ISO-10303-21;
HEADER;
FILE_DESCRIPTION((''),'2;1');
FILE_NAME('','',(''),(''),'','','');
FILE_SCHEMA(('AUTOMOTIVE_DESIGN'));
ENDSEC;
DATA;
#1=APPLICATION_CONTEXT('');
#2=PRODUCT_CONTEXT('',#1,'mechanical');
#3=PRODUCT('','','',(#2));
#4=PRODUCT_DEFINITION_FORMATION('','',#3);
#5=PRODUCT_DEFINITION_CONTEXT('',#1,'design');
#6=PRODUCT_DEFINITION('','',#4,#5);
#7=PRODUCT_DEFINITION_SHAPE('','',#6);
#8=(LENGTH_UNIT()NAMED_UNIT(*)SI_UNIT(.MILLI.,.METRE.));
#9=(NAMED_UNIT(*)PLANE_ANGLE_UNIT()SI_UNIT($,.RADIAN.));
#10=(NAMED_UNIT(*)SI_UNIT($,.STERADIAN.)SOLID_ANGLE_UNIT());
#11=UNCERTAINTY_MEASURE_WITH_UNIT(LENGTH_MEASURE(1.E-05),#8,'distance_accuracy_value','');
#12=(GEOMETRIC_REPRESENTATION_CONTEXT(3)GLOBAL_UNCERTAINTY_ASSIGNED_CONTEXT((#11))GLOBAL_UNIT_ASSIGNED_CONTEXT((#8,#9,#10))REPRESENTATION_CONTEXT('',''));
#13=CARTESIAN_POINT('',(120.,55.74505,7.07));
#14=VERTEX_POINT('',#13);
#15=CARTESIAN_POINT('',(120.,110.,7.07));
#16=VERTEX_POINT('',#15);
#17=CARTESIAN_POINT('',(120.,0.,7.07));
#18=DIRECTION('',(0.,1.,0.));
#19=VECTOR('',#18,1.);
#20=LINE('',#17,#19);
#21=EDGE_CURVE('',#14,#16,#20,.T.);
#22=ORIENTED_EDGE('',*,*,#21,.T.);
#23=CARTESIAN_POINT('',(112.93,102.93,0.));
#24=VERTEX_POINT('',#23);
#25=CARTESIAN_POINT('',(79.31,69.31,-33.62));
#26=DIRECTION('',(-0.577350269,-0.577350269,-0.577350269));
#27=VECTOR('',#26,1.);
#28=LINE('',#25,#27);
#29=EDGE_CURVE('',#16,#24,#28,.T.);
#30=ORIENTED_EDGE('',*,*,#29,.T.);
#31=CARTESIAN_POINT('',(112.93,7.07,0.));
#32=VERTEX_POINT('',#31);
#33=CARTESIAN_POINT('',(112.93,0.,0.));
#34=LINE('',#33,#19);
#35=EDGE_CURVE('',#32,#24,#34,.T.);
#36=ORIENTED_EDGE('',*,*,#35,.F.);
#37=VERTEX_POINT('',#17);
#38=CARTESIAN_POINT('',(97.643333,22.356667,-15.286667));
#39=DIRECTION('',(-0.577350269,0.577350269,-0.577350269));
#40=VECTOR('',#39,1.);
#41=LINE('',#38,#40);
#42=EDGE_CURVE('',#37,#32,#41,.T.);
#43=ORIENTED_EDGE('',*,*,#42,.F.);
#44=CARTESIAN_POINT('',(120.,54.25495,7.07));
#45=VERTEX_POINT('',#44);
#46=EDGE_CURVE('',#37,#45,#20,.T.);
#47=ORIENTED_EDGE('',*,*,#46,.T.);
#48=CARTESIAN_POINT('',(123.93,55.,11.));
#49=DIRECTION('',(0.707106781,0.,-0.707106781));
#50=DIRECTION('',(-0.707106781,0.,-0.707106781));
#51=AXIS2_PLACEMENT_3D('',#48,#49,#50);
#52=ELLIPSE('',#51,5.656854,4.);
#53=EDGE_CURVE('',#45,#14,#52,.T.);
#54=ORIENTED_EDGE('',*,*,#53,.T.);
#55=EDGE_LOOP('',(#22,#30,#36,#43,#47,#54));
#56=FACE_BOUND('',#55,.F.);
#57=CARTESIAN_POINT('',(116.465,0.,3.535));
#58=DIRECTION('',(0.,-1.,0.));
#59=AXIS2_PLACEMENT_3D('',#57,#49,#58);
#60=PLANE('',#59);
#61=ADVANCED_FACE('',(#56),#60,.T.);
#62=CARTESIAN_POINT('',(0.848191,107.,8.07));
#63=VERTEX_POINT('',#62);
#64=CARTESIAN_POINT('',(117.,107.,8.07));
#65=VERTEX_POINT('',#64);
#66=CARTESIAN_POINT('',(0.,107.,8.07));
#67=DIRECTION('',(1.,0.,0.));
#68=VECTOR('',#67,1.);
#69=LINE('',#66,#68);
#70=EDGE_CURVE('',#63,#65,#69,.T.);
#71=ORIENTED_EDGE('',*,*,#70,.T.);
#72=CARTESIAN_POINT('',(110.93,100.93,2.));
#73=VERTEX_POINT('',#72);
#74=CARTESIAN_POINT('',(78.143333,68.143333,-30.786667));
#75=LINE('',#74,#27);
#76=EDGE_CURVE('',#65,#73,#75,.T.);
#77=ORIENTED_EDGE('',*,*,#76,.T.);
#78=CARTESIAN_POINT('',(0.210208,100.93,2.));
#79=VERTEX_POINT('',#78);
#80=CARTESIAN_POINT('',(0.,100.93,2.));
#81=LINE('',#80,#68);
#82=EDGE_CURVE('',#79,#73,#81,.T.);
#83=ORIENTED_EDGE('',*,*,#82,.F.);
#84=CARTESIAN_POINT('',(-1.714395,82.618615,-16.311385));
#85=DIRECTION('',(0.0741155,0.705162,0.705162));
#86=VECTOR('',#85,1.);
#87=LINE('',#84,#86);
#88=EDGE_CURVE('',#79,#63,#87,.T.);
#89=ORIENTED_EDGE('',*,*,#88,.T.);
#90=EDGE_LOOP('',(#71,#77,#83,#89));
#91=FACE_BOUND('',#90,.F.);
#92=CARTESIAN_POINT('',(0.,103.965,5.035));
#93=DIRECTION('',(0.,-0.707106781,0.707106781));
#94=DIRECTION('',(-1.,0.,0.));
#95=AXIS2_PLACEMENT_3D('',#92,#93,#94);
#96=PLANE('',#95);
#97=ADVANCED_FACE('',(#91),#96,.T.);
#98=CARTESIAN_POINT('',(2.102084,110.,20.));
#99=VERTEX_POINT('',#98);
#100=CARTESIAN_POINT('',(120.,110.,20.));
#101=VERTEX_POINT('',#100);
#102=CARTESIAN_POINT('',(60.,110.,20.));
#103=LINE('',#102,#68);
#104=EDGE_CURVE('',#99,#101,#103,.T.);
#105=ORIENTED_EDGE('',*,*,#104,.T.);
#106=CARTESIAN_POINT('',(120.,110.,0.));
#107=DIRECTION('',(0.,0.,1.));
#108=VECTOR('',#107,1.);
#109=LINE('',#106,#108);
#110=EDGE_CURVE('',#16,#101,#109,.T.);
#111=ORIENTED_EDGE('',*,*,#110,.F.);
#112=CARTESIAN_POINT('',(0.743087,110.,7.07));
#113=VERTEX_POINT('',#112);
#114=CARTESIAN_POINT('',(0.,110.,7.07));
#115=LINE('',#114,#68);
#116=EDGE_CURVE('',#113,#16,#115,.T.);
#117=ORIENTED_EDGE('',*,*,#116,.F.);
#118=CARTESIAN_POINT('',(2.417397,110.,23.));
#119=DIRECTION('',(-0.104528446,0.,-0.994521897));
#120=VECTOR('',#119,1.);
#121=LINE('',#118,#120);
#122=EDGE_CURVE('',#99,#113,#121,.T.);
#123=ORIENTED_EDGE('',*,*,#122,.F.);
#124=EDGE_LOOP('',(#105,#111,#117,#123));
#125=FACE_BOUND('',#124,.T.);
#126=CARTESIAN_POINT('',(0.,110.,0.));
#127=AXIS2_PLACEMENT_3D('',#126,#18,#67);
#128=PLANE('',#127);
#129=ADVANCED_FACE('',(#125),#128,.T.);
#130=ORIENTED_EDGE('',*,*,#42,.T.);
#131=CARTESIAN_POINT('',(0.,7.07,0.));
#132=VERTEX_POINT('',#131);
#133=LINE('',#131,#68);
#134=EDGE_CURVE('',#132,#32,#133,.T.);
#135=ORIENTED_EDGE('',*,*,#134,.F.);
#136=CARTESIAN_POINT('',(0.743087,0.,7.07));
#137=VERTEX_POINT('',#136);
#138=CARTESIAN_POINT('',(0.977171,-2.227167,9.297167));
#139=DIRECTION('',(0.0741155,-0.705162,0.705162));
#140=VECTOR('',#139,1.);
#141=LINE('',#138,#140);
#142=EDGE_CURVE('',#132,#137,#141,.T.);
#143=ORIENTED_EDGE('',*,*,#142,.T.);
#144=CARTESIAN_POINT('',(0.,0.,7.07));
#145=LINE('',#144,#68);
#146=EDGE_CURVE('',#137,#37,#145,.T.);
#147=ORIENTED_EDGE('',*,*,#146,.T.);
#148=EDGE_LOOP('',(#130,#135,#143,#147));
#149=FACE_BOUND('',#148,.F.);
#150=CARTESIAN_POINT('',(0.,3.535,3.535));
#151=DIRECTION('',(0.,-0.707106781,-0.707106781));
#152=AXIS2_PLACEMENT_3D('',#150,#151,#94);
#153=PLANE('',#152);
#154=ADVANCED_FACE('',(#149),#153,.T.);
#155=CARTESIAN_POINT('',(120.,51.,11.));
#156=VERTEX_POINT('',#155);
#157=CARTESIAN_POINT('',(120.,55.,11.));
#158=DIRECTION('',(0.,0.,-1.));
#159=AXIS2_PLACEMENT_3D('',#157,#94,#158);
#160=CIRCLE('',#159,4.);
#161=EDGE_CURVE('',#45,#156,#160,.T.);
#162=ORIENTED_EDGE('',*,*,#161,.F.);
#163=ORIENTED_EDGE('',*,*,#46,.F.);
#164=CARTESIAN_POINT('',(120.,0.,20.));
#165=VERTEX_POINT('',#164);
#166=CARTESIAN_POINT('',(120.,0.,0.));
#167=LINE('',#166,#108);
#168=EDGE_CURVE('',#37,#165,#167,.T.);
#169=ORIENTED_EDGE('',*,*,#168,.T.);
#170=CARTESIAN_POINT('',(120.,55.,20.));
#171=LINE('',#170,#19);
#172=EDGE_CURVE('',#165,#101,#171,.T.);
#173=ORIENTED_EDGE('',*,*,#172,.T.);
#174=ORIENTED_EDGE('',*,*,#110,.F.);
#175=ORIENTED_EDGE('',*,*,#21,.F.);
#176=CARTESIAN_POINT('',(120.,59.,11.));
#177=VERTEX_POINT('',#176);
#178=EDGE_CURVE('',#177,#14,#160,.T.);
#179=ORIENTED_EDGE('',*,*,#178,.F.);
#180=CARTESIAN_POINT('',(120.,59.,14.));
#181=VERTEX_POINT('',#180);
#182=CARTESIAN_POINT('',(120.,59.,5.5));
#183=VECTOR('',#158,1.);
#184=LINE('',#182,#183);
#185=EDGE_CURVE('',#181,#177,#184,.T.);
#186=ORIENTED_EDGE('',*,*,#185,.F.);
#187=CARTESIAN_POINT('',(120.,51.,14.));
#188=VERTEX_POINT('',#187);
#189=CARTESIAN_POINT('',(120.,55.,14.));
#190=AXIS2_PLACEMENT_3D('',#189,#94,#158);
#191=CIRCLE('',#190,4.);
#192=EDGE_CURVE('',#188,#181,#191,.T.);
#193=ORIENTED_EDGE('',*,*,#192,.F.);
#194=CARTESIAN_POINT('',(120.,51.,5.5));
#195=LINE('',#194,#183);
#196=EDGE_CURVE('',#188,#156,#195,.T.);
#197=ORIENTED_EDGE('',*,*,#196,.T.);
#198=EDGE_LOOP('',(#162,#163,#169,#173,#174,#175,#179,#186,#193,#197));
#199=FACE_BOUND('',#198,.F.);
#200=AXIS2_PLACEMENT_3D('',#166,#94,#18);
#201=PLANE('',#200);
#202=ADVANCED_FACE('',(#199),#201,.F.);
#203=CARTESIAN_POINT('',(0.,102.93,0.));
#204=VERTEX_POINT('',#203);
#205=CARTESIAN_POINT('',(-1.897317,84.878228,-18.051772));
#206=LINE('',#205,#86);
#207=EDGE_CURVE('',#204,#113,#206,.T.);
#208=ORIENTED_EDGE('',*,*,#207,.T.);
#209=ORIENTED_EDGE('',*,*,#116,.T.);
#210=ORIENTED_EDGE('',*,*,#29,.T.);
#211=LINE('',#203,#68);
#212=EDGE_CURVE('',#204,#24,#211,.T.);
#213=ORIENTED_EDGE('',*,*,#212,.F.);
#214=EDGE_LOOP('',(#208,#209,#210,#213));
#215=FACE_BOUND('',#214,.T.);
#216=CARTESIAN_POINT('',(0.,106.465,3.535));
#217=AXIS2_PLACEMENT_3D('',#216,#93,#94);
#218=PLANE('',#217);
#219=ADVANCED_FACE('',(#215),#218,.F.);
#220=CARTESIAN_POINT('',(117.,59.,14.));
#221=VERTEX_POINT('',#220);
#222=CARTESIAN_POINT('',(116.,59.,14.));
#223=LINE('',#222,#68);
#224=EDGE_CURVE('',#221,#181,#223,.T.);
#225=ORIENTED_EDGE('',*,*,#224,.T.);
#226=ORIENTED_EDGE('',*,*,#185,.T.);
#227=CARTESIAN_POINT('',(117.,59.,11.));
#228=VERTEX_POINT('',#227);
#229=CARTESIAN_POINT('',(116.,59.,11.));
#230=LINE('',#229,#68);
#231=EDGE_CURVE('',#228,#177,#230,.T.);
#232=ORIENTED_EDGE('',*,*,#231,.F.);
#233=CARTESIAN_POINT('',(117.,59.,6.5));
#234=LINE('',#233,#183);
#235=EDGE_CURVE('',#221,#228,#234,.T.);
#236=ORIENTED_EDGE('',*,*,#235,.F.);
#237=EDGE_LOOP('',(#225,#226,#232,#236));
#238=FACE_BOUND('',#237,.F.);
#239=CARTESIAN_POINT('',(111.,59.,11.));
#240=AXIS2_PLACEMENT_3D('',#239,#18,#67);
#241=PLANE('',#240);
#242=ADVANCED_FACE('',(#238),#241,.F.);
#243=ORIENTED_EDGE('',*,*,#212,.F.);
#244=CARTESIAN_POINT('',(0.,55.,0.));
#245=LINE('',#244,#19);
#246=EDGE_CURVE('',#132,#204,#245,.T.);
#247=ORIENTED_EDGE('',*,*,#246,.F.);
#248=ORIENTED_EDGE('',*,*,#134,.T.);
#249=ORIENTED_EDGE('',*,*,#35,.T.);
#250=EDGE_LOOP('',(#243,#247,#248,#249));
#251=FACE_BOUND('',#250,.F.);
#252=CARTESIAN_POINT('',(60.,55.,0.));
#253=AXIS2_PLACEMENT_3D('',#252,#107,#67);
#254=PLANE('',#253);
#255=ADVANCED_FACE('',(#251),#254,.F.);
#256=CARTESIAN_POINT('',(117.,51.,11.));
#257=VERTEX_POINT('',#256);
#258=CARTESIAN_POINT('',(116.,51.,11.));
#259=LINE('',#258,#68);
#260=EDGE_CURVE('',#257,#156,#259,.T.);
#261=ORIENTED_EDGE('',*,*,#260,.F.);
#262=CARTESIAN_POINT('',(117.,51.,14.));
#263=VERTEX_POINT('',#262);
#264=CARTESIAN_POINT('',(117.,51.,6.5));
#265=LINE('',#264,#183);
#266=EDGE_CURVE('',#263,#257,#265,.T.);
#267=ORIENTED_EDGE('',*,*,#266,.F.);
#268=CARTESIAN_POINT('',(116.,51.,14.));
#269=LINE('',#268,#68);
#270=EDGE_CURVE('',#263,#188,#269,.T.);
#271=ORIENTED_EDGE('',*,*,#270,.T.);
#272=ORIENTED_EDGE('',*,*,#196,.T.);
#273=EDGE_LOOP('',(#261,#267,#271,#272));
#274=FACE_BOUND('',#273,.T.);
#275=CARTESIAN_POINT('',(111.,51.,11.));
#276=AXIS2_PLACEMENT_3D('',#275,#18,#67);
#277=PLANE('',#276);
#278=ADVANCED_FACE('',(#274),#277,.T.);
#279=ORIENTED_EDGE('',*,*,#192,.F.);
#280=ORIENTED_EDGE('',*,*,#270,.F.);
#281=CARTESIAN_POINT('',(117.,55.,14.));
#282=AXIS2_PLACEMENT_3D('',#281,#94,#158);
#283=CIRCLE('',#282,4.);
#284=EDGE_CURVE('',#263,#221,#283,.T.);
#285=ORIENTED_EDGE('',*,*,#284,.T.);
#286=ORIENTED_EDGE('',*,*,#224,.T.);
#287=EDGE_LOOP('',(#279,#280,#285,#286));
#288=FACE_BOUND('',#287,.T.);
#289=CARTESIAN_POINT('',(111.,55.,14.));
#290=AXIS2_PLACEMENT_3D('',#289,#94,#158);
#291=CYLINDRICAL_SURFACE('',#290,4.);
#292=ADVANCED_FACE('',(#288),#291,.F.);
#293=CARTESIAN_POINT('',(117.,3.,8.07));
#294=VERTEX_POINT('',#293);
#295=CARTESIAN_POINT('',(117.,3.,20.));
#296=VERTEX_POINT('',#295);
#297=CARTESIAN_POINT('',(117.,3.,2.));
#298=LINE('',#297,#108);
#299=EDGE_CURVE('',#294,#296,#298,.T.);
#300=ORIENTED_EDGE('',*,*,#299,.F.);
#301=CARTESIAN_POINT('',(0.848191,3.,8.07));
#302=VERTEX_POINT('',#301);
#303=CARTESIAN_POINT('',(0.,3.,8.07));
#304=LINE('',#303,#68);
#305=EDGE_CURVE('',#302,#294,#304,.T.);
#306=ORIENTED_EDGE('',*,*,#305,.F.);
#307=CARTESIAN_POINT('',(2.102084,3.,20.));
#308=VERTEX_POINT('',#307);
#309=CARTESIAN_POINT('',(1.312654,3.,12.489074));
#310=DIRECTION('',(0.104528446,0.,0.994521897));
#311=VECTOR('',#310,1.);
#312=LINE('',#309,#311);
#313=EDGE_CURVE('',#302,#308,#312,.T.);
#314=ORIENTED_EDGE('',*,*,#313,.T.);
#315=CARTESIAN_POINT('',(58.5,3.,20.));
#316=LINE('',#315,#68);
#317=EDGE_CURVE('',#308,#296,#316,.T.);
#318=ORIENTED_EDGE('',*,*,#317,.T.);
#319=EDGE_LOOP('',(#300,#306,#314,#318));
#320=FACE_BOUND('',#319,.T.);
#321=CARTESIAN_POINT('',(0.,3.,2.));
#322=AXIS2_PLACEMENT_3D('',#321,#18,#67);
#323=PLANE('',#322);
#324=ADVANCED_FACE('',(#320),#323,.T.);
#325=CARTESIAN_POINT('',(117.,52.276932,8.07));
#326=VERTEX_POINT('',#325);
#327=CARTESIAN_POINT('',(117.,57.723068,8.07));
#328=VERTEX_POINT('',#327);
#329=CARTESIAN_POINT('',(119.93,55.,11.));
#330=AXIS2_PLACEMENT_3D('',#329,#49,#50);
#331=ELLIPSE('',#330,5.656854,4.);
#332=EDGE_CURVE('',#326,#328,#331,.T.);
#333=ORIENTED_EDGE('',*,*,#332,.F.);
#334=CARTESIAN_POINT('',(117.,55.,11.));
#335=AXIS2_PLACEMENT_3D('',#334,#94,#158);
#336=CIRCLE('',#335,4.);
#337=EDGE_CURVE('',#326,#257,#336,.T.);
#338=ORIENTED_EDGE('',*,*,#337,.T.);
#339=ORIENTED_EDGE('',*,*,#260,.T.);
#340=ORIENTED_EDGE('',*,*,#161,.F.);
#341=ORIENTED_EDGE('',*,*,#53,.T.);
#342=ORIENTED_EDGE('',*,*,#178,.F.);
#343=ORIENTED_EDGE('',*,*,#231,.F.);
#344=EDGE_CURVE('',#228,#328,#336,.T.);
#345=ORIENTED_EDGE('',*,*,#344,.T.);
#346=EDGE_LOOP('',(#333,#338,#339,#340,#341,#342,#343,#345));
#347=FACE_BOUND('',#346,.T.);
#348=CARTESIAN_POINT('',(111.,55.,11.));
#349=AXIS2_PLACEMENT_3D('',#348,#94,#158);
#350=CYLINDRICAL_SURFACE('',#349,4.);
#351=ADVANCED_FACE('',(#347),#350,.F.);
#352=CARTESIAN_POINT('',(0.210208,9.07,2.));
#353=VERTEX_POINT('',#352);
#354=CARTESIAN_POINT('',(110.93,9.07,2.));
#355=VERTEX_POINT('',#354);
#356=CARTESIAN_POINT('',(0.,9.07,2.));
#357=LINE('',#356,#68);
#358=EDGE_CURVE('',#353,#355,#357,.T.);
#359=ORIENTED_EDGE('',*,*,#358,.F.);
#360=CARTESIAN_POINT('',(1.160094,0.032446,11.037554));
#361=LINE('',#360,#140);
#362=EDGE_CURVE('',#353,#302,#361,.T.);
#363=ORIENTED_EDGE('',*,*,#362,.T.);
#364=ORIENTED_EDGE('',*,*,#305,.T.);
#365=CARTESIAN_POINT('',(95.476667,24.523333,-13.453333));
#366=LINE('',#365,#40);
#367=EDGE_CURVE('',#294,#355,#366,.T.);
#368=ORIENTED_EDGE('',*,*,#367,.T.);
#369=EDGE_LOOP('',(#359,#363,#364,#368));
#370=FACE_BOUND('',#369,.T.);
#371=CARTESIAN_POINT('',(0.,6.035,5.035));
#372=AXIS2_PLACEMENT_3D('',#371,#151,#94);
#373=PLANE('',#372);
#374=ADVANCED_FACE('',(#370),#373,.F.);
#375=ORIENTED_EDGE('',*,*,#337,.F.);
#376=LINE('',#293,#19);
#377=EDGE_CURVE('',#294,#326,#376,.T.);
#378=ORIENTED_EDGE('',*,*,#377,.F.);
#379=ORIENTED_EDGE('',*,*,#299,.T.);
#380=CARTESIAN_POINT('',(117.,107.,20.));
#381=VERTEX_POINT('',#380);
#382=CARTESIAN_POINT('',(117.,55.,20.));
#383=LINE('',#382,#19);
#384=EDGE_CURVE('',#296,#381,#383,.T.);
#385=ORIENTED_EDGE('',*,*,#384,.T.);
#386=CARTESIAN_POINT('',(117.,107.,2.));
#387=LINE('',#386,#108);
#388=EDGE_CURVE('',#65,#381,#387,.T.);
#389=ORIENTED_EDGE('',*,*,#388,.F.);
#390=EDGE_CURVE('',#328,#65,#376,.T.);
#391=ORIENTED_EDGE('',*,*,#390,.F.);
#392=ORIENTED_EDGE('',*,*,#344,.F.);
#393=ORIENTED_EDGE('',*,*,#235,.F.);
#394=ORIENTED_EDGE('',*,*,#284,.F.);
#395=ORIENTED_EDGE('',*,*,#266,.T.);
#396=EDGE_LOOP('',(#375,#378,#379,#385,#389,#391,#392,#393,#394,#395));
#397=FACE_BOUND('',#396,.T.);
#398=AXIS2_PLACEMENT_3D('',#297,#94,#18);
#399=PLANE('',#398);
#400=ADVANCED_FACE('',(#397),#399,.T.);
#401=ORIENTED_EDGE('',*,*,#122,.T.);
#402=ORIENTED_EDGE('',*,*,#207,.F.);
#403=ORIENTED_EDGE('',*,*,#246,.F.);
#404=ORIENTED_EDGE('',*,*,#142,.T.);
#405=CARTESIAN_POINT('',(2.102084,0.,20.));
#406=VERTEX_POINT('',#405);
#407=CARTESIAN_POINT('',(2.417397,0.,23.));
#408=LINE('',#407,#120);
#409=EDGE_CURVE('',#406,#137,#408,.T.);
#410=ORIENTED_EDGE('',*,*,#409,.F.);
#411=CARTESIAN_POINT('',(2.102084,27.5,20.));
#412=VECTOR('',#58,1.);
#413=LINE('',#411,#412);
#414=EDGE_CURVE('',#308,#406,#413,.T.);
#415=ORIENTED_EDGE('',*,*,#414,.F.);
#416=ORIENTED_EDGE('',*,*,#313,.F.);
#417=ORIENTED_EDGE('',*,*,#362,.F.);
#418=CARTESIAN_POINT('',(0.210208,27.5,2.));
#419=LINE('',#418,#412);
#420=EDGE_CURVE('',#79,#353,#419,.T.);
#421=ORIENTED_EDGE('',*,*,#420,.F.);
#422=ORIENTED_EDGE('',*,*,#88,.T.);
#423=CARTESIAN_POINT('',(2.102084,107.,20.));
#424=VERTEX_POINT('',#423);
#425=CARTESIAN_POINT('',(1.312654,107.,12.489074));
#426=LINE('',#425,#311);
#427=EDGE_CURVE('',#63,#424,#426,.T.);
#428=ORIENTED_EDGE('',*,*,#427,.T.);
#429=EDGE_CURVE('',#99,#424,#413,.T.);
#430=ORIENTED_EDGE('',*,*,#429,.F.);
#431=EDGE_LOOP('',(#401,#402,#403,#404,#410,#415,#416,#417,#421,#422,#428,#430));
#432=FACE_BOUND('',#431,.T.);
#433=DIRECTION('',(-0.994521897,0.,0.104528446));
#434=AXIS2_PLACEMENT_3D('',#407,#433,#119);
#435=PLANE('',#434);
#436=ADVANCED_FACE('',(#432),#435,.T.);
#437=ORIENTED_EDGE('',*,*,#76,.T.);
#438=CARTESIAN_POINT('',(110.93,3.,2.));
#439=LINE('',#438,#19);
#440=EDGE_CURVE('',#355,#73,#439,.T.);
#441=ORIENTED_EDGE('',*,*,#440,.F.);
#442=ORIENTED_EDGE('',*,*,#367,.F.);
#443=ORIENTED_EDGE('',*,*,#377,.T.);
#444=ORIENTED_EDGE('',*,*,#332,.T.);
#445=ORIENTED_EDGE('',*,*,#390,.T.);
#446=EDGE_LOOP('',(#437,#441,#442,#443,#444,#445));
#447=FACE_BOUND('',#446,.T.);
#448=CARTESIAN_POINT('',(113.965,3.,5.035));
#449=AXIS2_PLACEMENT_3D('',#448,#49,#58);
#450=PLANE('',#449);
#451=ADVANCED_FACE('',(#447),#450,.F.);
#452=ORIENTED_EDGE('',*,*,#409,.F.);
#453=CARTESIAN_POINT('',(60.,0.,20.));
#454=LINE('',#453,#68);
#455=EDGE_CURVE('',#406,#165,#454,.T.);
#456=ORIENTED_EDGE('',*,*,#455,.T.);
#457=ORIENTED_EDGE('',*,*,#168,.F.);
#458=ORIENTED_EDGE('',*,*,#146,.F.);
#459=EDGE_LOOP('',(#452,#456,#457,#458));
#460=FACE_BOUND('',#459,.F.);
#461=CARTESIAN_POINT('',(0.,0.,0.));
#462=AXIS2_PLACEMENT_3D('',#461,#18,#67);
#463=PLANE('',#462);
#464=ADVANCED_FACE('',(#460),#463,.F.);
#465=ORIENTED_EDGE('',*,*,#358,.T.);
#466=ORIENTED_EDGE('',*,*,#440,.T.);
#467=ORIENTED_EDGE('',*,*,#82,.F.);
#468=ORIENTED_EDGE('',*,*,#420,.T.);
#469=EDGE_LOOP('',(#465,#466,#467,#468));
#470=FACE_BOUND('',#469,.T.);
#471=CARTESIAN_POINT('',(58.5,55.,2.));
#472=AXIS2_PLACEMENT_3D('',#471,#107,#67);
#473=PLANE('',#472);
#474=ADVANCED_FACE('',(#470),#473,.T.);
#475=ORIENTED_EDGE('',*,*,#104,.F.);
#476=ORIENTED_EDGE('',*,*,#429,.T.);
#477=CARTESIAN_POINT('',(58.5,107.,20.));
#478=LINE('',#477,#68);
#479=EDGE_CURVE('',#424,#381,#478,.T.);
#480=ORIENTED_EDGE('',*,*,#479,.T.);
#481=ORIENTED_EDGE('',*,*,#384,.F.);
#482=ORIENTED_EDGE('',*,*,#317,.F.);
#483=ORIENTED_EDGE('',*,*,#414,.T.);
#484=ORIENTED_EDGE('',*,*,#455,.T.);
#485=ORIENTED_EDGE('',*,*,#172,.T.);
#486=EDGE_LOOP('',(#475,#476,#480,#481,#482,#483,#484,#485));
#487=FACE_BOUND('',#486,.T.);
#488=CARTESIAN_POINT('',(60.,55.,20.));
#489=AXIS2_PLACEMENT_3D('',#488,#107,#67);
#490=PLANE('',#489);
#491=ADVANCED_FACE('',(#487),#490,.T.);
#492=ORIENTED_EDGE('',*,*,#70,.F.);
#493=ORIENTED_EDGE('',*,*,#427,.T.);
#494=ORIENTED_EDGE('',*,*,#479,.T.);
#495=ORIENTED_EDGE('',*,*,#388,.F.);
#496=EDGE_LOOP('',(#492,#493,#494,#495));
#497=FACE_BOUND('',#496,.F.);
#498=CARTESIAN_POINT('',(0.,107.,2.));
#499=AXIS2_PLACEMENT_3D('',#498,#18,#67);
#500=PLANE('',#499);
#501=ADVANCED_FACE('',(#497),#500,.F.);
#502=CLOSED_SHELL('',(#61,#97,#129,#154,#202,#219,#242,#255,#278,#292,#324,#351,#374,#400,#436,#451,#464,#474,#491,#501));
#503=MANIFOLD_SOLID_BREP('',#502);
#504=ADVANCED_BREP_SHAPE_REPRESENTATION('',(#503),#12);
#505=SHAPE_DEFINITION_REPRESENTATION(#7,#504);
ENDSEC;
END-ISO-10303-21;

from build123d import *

# Parameters (mm, degrees)
CYLINDER001_R     = 4
CYLINDER001_DEPTH = 10
BOX011_W          = 10
BOX011_H          = 8
BOX011_DEPTH      = 3
CYLINDER002_R     = 4
CYLINDER002_DEPTH = 10
PAD002_DEPTH      = 110
BOX010_W          = 117
BOX010_H          = 104
BOX010_DEPTH      = 18
CHAMFER002_SIZE   = 6.07
BOX009_W          = 120
BOX009_H          = 110
BOX009_DEPTH      = 20
CHAMFER001_SIZE   = 7.07


with BuildPart() as cylinder001:
    # Cylinder001 → Cylinder001 (new body)
    with BuildSketch(Plane(origin=(0, 0, 6), x_dir=(0, 0, -1), z_dir=(1, 0, 0))):
        Circle(CYLINDER001_R)
    extrude(amount=CYLINDER001_DEPTH)


with BuildPart() as cube011:
    # Box011 → Box011 (new body)
    with BuildSketch(Plane(origin=(0, -4, 3), x_dir=(1, 0, 0), z_dir=(0, 0, 1))):
        with Locations((5, 4)):
            Rectangle(BOX011_W, BOX011_H)
    extrude(amount=BOX011_DEPTH)


with BuildPart() as stromloch:
    # Cylinder002 → Cylinder002 (new body)
    with BuildSketch(Plane(origin=(0, 0, 3), x_dir=(0, 0, -1), z_dir=(1, 0, 0))):
        Circle(CYLINDER002_R)
    extrude(amount=CYLINDER002_DEPTH)

    # Fusion002: union Cylinder001, Cube011
    add(cylinder001.part)
    add(cube011.part)


with BuildPart() as stromloch_1:
    # Fusion002 placement: moved
    add(stromloch.part.moved(Location((111, 55, 8))))


with BuildPart() as pad002:
    # Sketch002 → Pad002 (new body)
    with BuildSketch(Plane.XZ):
        Polygon((0, 0), (0, 23), (2.417397, 23), align=None)
    extrude(amount=-PAD002_DEPTH)


with BuildPart() as chamfer002:
    # Box010 → Box010 (new body)
    with BuildSketch(Plane(origin=(0, 3, 2), x_dir=(1, 0, 0), z_dir=(0, 0, 1))):
        with Locations((58.5, 52)):
            Rectangle(BOX010_W, BOX010_H)
    extrude(amount=BOX010_DEPTH)

    # Chamfer002
    chamfer002_edges = [chamfer002.edges().sort_by_distance(p)[0] for p in [
        (117, 55, 2),
        (58.5, 3, 2),
        (58.5, 107, 2),
    ]]
    chamfer(chamfer002_edges, length=CHAMFER002_SIZE)


with BuildPart() as boden_stromloch:
    # Box009 → Box009 (new body)
    with BuildSketch(Plane.XY):
        with Locations((60, 55)):
            Rectangle(BOX009_W, BOX009_H)
    extrude(amount=BOX009_DEPTH)

    # Chamfer001
    chamfer001_edges = [boden_stromloch.edges().sort_by_distance(p)[0] for p in [
        (120, 55, 0),
        (60, 0, 0),
        (60, 110, 0),
    ]]
    chamfer(chamfer001_edges, length=CHAMFER001_SIZE)

    # Cut006: cut Chamfer002
    add(chamfer002.part, mode=Mode.SUBTRACT)

    # Cut007: cut Pad002
    add(pad002.part, mode=Mode.SUBTRACT)

    # Cut008: cut Stromloch
    add(stromloch_1.part, mode=Mode.SUBTRACT)


solid = boden_stromloch.part
